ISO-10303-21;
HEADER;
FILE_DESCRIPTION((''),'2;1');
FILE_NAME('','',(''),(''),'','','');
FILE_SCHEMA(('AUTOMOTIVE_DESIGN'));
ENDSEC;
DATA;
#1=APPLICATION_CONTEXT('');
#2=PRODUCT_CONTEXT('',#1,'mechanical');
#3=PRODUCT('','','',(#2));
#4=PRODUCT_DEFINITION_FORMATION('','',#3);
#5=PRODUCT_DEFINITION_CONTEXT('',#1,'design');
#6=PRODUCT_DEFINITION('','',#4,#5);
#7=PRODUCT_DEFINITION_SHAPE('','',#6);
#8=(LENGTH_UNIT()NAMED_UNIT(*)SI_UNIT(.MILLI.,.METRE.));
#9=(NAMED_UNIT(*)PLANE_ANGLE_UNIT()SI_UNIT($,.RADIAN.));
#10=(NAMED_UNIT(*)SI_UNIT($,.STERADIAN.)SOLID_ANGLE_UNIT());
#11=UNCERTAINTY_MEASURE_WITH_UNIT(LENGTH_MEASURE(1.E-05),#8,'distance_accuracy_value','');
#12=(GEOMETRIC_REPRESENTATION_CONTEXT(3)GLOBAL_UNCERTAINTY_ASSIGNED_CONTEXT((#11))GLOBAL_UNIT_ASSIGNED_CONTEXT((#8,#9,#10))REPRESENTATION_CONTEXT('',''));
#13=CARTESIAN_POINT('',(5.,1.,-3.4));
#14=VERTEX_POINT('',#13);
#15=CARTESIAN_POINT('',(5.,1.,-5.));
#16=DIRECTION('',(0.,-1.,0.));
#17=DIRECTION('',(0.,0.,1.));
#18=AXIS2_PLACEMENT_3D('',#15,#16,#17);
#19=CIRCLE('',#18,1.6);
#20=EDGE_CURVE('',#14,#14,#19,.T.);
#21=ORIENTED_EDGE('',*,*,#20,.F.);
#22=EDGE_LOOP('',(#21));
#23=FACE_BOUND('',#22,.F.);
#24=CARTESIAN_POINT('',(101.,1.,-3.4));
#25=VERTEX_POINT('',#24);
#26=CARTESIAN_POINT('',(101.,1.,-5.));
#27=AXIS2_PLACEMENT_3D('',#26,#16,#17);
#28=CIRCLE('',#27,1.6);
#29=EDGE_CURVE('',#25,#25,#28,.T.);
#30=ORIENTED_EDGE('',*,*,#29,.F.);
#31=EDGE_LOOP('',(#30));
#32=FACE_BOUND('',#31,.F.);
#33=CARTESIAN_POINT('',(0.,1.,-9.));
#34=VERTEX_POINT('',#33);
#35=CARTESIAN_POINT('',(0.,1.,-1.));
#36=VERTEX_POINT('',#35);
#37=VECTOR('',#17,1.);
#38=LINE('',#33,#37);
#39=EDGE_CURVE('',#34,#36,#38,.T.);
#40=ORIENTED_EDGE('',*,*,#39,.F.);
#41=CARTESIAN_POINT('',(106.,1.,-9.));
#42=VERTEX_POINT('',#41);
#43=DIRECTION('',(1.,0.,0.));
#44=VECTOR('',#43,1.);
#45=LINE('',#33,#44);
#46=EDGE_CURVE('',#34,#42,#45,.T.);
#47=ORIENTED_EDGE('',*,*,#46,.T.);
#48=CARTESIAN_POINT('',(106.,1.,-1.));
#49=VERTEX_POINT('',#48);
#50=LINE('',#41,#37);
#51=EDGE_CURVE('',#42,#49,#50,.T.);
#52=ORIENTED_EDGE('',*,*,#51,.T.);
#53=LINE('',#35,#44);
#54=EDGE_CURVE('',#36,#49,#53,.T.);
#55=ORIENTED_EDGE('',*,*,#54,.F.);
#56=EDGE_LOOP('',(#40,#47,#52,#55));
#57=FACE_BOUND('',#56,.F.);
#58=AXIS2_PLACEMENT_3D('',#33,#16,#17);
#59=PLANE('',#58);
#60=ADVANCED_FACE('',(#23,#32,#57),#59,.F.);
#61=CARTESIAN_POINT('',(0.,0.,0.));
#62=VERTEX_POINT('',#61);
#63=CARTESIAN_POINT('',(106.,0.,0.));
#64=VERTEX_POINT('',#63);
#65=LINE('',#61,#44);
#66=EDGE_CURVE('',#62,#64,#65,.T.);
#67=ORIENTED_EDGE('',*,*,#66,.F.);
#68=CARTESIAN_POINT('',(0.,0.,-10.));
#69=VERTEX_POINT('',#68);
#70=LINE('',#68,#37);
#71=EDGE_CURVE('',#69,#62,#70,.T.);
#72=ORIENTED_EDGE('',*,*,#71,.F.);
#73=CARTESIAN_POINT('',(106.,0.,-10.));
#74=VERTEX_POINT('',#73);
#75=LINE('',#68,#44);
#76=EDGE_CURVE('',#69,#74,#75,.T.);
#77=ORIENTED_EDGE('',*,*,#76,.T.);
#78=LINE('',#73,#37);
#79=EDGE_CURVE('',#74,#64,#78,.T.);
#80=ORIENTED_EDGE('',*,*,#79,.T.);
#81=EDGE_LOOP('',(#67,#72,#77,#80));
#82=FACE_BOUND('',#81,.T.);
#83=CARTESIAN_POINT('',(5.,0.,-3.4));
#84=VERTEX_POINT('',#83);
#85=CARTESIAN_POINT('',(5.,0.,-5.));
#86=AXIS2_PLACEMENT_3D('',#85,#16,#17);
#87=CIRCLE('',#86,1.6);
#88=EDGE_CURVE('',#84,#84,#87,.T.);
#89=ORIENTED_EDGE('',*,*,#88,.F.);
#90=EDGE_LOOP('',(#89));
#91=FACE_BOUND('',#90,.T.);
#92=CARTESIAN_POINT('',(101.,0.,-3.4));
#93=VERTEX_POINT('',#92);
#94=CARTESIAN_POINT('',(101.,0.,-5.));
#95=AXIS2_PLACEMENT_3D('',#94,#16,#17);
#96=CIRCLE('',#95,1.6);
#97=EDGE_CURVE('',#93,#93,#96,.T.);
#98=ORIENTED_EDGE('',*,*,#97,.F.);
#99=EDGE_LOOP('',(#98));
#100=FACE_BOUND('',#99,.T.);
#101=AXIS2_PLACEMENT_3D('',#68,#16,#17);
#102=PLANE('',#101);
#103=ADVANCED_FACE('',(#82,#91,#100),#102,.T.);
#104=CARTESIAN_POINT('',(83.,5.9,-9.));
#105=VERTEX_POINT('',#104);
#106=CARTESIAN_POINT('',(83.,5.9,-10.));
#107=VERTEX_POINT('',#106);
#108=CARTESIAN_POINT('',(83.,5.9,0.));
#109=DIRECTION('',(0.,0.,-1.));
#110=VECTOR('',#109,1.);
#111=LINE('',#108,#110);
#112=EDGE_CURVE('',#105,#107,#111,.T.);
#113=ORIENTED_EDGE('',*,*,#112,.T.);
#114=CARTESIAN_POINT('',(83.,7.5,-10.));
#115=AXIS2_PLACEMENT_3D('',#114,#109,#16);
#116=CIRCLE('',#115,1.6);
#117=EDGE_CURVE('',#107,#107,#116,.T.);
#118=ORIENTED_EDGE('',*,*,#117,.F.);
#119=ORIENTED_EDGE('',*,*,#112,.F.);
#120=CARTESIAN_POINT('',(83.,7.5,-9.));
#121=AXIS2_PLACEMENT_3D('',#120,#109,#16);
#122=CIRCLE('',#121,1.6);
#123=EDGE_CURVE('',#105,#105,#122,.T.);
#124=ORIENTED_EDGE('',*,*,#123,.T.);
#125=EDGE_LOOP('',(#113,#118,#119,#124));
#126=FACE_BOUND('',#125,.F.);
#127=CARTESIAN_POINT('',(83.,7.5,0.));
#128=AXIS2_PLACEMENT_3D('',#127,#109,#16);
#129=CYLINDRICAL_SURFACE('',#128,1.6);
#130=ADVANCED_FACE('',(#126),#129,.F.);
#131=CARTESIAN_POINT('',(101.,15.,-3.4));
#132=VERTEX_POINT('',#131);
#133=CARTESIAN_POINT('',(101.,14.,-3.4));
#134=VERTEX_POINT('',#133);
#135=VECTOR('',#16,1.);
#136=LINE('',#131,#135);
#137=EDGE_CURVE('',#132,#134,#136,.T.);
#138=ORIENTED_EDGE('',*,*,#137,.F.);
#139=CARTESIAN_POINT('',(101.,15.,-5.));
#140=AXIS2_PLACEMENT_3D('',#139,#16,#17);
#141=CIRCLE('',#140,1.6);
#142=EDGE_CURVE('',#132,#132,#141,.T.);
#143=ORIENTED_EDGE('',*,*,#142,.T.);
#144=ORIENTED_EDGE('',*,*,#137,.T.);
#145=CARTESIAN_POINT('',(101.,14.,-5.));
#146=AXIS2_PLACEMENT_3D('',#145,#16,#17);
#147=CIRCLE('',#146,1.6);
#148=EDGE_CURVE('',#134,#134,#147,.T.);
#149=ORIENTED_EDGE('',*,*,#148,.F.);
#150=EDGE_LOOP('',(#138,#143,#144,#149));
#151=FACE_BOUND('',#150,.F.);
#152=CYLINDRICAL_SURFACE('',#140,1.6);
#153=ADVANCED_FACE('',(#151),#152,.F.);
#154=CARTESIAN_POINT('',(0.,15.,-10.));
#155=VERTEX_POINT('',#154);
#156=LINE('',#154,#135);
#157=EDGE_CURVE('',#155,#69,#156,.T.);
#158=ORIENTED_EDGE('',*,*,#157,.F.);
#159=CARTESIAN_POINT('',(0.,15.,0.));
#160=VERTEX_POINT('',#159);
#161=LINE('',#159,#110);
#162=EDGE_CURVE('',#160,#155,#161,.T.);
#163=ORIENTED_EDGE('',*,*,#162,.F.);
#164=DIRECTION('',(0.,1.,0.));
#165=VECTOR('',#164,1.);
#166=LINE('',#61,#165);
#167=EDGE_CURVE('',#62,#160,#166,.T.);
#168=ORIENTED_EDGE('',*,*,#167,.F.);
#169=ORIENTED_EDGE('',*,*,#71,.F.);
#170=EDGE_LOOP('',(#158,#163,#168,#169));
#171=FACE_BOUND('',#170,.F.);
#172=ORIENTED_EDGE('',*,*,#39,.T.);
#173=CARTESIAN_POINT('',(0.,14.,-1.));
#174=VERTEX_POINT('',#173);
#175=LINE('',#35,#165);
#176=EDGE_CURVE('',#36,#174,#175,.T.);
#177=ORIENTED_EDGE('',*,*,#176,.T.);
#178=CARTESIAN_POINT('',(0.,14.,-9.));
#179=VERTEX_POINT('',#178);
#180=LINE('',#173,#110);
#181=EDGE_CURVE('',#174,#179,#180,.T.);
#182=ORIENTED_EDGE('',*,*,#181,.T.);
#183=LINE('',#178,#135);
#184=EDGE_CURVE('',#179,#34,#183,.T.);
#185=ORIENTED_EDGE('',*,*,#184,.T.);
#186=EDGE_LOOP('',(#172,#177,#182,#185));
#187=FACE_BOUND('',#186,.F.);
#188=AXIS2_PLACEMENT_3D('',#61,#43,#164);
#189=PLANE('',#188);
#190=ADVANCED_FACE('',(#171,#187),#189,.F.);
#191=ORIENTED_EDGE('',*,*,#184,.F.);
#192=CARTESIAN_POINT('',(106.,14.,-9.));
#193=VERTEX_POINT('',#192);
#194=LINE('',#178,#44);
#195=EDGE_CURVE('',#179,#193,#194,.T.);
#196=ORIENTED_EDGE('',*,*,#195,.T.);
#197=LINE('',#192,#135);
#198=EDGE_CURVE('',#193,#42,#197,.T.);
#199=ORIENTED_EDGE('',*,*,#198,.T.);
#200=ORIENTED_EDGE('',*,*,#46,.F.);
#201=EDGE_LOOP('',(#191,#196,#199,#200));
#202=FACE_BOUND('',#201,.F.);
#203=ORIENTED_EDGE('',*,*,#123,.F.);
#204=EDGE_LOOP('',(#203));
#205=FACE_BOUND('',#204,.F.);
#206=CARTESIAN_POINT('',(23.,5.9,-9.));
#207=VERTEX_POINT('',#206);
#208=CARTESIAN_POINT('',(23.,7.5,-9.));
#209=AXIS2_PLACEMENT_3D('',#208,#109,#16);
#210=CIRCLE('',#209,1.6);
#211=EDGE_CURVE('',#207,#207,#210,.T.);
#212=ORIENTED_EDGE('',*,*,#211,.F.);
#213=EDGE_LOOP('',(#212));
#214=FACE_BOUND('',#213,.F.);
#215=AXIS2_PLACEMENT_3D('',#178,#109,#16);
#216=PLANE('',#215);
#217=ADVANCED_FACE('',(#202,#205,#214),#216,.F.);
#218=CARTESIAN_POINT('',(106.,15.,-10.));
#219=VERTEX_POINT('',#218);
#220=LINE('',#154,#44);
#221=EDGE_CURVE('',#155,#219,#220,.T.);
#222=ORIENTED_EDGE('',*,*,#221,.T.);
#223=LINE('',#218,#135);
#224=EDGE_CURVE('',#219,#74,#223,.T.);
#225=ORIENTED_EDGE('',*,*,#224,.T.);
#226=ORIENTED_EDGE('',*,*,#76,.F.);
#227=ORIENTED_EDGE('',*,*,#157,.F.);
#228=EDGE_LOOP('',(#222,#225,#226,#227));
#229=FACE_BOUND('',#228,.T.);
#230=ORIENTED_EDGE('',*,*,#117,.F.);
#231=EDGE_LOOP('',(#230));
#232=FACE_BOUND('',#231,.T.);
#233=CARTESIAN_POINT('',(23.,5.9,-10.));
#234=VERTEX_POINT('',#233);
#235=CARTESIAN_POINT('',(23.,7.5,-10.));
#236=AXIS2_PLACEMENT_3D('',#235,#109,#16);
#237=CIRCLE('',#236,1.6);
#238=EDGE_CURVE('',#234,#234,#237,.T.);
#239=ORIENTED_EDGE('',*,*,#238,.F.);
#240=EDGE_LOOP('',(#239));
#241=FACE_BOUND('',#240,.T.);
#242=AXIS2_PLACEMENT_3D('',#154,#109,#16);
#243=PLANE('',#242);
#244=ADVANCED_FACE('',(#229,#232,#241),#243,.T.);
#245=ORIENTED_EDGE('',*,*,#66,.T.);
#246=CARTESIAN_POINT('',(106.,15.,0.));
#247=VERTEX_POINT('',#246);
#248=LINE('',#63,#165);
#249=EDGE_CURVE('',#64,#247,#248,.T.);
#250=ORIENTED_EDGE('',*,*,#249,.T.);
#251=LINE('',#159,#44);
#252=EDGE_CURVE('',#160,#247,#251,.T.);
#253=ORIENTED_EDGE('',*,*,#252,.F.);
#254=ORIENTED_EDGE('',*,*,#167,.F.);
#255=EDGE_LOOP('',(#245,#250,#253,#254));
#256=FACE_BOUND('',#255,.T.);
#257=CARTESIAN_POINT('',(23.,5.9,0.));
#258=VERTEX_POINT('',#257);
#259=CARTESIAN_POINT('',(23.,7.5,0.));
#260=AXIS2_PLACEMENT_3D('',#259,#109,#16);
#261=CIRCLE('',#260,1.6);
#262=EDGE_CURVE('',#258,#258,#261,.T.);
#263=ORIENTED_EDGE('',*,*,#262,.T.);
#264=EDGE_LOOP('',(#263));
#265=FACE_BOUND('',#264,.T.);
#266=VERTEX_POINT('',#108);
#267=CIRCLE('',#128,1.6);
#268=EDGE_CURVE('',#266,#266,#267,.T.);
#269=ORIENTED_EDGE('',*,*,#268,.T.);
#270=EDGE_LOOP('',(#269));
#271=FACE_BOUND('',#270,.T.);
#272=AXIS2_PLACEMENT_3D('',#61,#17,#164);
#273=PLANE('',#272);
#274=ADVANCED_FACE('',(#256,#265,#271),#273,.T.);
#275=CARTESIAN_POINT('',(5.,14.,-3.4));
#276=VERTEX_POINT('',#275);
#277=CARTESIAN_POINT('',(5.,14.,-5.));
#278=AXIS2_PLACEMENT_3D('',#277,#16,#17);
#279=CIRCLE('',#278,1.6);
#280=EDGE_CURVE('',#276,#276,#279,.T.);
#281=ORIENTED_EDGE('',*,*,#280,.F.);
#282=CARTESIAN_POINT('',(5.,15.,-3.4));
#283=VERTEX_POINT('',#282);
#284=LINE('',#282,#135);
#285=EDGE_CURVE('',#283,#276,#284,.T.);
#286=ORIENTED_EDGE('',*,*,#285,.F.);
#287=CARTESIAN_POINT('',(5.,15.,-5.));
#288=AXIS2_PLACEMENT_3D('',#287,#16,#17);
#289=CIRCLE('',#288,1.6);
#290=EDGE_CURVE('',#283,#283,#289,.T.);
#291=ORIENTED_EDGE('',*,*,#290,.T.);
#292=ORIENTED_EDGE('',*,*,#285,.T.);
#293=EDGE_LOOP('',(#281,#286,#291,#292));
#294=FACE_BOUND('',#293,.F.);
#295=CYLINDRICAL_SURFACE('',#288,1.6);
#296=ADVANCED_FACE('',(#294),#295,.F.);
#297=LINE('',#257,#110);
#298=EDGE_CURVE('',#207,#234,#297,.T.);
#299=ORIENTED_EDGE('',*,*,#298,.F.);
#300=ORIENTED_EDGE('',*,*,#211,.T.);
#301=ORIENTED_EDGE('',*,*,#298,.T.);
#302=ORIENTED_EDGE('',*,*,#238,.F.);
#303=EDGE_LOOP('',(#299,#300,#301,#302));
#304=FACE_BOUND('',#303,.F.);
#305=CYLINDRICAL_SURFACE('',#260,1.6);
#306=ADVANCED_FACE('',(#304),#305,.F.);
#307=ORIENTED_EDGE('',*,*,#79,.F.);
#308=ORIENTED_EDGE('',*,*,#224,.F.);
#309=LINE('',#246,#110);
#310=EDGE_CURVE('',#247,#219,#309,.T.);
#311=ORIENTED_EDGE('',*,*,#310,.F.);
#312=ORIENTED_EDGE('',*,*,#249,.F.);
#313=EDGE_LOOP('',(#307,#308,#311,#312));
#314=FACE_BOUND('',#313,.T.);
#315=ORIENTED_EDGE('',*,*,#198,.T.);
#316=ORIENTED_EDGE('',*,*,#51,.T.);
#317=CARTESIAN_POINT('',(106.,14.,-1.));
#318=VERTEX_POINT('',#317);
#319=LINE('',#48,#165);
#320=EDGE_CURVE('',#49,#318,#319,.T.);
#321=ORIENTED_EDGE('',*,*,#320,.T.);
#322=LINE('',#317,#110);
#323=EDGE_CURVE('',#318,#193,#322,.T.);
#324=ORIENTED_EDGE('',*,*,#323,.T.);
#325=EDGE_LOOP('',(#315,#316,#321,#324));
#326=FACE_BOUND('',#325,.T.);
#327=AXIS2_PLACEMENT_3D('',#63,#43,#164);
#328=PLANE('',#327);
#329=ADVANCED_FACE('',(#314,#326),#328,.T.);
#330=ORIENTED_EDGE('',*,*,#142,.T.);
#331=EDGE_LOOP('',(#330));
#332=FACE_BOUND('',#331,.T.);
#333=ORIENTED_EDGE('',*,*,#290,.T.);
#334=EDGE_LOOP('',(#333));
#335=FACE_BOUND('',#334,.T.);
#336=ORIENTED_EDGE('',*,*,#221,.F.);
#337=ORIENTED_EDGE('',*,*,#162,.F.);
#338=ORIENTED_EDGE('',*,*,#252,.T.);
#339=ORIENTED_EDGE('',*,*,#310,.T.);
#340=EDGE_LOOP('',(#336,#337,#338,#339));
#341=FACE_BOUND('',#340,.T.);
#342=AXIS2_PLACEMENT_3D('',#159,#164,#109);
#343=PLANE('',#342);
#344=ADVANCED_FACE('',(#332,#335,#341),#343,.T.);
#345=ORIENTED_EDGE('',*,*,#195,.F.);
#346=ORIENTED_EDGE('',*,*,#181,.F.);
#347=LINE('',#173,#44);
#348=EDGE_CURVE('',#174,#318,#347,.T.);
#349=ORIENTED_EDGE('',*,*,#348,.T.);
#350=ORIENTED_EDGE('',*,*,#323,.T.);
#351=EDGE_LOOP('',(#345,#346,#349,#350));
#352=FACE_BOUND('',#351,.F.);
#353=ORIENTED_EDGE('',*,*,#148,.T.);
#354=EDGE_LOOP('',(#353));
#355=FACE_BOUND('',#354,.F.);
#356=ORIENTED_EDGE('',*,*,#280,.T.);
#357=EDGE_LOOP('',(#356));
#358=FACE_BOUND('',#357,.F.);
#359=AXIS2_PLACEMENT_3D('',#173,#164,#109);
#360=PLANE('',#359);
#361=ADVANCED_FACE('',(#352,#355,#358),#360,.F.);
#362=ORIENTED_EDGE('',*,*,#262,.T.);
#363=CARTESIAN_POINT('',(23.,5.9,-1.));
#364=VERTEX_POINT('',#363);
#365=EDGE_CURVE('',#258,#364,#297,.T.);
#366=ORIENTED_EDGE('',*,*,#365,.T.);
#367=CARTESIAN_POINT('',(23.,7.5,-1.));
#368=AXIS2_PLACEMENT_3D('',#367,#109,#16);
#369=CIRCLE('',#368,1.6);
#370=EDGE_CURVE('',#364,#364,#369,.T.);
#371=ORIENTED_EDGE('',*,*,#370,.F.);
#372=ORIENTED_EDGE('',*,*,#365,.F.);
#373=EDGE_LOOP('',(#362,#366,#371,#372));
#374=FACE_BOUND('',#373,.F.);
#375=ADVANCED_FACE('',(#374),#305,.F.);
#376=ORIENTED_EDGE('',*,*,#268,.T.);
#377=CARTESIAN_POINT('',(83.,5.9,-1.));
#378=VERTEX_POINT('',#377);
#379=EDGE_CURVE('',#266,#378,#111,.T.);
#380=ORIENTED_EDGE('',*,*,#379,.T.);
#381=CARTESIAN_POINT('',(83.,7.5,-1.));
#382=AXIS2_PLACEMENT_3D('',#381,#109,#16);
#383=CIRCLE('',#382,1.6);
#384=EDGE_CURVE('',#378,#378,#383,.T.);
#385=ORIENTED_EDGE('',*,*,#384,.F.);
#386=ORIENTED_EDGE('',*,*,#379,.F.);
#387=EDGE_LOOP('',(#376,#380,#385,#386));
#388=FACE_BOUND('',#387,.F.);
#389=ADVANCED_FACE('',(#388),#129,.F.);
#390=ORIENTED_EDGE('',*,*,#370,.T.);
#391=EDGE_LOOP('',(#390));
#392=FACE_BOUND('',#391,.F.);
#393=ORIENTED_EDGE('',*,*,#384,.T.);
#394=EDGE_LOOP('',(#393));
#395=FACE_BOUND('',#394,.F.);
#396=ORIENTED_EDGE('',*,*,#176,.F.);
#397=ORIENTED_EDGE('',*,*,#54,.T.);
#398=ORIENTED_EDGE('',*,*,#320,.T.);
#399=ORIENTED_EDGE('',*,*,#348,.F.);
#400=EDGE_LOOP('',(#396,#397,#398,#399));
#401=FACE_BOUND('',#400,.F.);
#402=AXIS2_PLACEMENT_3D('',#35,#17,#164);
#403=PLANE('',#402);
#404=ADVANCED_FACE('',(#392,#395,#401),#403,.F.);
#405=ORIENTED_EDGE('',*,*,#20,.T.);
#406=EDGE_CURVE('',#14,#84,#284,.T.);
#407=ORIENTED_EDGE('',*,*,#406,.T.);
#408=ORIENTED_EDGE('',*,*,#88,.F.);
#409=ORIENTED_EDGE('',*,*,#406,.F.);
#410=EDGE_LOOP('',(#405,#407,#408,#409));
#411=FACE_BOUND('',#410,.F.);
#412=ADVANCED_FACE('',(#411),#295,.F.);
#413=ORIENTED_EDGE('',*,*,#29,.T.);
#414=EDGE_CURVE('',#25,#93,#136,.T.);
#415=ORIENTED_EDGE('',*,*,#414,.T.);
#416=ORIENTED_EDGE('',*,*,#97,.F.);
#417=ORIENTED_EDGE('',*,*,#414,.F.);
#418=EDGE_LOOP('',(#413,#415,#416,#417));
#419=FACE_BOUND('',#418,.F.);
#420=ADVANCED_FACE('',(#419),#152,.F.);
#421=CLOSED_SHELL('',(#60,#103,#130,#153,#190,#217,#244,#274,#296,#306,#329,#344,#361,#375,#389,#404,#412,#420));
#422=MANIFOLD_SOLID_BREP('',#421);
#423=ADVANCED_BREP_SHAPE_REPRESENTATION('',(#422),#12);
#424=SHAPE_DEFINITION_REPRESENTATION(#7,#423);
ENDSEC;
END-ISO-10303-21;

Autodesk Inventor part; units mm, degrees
ref_plane "YZ Plane" through (0, 0, 0) normal (1, 0, 0) x (0, 1, 0)
ref_plane "XZ Plane" through (0, 0, 0) normal (0, 1, 0) x (-1, 0, 0)
ref_plane "XY Plane" through (0, 0, 0) normal (0, 0, 1) x (1, 0, 0)
sketch "スケッチ1" plane through (0, 0, 0) normal (1, 0, 0) x (0, 1, 0)
  line L0 (0, 0) -> (15, 0)
  line L1 (15, 0) -> (15, -10)
  line L2 (15, -10) -> (0, -10)
  line L3 (0, -10) -> (0, 0)
  line L4 (1, -1) -> (14, -1)
  line L5 (14, -1) -> (14, -9)
  line L6 (14, -9) -> (1, -9)
  line L7 (1, -9) -> (1, -1)
  dimension "d0" = 15
  dimension "d1" = 10
  dimension "d2" = 13
  dimension "d3" = 8
  dimension "d4" = 1
  dimension "d5" = 1
extrude "押し出し1" add sketch "スケッチ1" along normal blind 106
sketch "スケッチ2" plane through (0, 15, 0) normal (0, 1, 0) x (1, 0, 0)
  line L0 (0, 9) -> (0, 1) projected
  line L1 (0, 5) -> (120, 5)
  line L2 (106, 10) -> (106, 0) projected
  point P0 (0, 0)
  point P1 (5, 5)
  point P2 (101, 5)
  point P3 (106, 0)
  dimension "d8" = 5
  dimension "d9" = 5
hole "穴1" at (5, 15, -5) at (101, 15, -5) direction (0, -1, 0) diameter 3.2 end through all
sketch "スケッチ3" plane through (0, 0, 0) normal (0, 0, 1) x (1, 0, 0)
  line L0 (0, 0) -> (0, 15) projected
  line L1 (0, 7.5) -> (106, 7.5)
  line L2 (106, 0) -> (106, 15) projected
  point P0 (23, 7.5)
  point P1 (83, 7.5)
  point P2 (53, 7.5)
  dimension "d17" = 30
  dimension "d18" = 30
hole "穴2" at (23, 7.5, 0) at (83, 7.5, 0) direction (0, 0, -1) diameter 3.2 end through all
properties part number "link2_pipe1" material "アルミニウム 6061"
